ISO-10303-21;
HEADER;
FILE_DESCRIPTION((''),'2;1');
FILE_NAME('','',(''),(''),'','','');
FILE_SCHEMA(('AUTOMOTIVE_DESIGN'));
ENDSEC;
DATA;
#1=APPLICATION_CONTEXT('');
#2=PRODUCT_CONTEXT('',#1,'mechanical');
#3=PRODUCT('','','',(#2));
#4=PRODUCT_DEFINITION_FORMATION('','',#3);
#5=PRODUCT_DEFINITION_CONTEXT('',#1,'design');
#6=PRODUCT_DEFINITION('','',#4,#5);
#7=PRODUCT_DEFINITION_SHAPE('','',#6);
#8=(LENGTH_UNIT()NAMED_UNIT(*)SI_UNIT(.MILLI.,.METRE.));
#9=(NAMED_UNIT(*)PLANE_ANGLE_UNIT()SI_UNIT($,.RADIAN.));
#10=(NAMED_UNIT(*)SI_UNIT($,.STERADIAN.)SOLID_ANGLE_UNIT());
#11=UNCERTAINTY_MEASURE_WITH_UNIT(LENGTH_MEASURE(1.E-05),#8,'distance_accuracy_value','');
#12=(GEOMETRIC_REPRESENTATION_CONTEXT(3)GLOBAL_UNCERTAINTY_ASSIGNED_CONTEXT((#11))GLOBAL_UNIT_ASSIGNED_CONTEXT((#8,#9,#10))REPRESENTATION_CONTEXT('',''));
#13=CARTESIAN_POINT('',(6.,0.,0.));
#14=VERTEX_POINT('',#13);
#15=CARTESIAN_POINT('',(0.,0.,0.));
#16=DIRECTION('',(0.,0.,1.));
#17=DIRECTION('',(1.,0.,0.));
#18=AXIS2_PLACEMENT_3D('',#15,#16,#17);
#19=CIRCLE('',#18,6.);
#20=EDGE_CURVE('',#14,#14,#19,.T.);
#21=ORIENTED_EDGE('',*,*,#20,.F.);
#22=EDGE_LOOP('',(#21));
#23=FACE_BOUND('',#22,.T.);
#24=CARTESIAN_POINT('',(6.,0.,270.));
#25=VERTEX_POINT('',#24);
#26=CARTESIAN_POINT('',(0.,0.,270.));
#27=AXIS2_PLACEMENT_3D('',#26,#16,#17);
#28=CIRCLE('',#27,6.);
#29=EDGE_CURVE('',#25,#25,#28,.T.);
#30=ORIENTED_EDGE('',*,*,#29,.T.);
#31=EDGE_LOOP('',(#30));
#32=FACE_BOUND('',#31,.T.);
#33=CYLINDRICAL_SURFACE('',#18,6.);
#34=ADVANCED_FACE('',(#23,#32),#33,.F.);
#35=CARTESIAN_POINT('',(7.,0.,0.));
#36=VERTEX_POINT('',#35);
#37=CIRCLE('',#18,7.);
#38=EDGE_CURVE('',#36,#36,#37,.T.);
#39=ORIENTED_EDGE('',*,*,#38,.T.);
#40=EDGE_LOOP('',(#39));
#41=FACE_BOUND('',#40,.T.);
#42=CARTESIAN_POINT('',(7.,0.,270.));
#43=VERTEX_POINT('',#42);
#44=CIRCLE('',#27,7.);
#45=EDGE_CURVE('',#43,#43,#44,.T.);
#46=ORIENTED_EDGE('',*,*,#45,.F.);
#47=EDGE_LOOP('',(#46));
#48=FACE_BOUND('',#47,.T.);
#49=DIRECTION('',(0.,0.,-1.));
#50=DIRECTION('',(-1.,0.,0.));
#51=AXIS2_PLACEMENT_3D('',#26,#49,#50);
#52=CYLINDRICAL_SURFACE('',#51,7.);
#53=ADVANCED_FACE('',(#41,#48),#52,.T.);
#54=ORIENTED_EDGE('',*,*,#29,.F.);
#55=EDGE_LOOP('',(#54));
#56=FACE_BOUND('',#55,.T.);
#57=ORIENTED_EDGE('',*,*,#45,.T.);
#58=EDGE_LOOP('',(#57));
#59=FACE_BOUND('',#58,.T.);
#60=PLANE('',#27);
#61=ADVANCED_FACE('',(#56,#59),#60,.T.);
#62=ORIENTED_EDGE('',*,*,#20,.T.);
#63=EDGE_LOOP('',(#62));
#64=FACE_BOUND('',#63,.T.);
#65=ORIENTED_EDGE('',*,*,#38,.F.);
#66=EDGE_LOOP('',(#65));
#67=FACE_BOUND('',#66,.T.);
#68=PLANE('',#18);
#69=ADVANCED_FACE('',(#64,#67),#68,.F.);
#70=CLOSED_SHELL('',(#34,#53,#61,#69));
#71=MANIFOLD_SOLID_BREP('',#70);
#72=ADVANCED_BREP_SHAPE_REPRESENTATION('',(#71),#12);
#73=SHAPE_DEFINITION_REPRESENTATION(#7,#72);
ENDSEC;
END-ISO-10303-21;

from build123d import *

# Parameters (mm, degrees)
SKETCH1_R           = 7
BOSS_EXTRUDE1_DEPTH = 270
SKETCH2_R           = 6
CUT_EXTRUDE1_DEPTH  = 271


with BuildPart() as part:
    # Sketch1 → Boss-Extrude1 (new body)
    with BuildSketch(Plane.XY):
        Circle(SKETCH1_R)
    extrude(amount=BOSS_EXTRUDE1_DEPTH)

    # Sketch2 → Cut-Extrude1 (cut, through all)
    with BuildSketch(Plane.XY.offset(270)):
        Circle(SKETCH2_R)
    extrude(amount=-CUT_EXTRUDE1_DEPTH, mode=Mode.SUBTRACT)


solid = part.part
